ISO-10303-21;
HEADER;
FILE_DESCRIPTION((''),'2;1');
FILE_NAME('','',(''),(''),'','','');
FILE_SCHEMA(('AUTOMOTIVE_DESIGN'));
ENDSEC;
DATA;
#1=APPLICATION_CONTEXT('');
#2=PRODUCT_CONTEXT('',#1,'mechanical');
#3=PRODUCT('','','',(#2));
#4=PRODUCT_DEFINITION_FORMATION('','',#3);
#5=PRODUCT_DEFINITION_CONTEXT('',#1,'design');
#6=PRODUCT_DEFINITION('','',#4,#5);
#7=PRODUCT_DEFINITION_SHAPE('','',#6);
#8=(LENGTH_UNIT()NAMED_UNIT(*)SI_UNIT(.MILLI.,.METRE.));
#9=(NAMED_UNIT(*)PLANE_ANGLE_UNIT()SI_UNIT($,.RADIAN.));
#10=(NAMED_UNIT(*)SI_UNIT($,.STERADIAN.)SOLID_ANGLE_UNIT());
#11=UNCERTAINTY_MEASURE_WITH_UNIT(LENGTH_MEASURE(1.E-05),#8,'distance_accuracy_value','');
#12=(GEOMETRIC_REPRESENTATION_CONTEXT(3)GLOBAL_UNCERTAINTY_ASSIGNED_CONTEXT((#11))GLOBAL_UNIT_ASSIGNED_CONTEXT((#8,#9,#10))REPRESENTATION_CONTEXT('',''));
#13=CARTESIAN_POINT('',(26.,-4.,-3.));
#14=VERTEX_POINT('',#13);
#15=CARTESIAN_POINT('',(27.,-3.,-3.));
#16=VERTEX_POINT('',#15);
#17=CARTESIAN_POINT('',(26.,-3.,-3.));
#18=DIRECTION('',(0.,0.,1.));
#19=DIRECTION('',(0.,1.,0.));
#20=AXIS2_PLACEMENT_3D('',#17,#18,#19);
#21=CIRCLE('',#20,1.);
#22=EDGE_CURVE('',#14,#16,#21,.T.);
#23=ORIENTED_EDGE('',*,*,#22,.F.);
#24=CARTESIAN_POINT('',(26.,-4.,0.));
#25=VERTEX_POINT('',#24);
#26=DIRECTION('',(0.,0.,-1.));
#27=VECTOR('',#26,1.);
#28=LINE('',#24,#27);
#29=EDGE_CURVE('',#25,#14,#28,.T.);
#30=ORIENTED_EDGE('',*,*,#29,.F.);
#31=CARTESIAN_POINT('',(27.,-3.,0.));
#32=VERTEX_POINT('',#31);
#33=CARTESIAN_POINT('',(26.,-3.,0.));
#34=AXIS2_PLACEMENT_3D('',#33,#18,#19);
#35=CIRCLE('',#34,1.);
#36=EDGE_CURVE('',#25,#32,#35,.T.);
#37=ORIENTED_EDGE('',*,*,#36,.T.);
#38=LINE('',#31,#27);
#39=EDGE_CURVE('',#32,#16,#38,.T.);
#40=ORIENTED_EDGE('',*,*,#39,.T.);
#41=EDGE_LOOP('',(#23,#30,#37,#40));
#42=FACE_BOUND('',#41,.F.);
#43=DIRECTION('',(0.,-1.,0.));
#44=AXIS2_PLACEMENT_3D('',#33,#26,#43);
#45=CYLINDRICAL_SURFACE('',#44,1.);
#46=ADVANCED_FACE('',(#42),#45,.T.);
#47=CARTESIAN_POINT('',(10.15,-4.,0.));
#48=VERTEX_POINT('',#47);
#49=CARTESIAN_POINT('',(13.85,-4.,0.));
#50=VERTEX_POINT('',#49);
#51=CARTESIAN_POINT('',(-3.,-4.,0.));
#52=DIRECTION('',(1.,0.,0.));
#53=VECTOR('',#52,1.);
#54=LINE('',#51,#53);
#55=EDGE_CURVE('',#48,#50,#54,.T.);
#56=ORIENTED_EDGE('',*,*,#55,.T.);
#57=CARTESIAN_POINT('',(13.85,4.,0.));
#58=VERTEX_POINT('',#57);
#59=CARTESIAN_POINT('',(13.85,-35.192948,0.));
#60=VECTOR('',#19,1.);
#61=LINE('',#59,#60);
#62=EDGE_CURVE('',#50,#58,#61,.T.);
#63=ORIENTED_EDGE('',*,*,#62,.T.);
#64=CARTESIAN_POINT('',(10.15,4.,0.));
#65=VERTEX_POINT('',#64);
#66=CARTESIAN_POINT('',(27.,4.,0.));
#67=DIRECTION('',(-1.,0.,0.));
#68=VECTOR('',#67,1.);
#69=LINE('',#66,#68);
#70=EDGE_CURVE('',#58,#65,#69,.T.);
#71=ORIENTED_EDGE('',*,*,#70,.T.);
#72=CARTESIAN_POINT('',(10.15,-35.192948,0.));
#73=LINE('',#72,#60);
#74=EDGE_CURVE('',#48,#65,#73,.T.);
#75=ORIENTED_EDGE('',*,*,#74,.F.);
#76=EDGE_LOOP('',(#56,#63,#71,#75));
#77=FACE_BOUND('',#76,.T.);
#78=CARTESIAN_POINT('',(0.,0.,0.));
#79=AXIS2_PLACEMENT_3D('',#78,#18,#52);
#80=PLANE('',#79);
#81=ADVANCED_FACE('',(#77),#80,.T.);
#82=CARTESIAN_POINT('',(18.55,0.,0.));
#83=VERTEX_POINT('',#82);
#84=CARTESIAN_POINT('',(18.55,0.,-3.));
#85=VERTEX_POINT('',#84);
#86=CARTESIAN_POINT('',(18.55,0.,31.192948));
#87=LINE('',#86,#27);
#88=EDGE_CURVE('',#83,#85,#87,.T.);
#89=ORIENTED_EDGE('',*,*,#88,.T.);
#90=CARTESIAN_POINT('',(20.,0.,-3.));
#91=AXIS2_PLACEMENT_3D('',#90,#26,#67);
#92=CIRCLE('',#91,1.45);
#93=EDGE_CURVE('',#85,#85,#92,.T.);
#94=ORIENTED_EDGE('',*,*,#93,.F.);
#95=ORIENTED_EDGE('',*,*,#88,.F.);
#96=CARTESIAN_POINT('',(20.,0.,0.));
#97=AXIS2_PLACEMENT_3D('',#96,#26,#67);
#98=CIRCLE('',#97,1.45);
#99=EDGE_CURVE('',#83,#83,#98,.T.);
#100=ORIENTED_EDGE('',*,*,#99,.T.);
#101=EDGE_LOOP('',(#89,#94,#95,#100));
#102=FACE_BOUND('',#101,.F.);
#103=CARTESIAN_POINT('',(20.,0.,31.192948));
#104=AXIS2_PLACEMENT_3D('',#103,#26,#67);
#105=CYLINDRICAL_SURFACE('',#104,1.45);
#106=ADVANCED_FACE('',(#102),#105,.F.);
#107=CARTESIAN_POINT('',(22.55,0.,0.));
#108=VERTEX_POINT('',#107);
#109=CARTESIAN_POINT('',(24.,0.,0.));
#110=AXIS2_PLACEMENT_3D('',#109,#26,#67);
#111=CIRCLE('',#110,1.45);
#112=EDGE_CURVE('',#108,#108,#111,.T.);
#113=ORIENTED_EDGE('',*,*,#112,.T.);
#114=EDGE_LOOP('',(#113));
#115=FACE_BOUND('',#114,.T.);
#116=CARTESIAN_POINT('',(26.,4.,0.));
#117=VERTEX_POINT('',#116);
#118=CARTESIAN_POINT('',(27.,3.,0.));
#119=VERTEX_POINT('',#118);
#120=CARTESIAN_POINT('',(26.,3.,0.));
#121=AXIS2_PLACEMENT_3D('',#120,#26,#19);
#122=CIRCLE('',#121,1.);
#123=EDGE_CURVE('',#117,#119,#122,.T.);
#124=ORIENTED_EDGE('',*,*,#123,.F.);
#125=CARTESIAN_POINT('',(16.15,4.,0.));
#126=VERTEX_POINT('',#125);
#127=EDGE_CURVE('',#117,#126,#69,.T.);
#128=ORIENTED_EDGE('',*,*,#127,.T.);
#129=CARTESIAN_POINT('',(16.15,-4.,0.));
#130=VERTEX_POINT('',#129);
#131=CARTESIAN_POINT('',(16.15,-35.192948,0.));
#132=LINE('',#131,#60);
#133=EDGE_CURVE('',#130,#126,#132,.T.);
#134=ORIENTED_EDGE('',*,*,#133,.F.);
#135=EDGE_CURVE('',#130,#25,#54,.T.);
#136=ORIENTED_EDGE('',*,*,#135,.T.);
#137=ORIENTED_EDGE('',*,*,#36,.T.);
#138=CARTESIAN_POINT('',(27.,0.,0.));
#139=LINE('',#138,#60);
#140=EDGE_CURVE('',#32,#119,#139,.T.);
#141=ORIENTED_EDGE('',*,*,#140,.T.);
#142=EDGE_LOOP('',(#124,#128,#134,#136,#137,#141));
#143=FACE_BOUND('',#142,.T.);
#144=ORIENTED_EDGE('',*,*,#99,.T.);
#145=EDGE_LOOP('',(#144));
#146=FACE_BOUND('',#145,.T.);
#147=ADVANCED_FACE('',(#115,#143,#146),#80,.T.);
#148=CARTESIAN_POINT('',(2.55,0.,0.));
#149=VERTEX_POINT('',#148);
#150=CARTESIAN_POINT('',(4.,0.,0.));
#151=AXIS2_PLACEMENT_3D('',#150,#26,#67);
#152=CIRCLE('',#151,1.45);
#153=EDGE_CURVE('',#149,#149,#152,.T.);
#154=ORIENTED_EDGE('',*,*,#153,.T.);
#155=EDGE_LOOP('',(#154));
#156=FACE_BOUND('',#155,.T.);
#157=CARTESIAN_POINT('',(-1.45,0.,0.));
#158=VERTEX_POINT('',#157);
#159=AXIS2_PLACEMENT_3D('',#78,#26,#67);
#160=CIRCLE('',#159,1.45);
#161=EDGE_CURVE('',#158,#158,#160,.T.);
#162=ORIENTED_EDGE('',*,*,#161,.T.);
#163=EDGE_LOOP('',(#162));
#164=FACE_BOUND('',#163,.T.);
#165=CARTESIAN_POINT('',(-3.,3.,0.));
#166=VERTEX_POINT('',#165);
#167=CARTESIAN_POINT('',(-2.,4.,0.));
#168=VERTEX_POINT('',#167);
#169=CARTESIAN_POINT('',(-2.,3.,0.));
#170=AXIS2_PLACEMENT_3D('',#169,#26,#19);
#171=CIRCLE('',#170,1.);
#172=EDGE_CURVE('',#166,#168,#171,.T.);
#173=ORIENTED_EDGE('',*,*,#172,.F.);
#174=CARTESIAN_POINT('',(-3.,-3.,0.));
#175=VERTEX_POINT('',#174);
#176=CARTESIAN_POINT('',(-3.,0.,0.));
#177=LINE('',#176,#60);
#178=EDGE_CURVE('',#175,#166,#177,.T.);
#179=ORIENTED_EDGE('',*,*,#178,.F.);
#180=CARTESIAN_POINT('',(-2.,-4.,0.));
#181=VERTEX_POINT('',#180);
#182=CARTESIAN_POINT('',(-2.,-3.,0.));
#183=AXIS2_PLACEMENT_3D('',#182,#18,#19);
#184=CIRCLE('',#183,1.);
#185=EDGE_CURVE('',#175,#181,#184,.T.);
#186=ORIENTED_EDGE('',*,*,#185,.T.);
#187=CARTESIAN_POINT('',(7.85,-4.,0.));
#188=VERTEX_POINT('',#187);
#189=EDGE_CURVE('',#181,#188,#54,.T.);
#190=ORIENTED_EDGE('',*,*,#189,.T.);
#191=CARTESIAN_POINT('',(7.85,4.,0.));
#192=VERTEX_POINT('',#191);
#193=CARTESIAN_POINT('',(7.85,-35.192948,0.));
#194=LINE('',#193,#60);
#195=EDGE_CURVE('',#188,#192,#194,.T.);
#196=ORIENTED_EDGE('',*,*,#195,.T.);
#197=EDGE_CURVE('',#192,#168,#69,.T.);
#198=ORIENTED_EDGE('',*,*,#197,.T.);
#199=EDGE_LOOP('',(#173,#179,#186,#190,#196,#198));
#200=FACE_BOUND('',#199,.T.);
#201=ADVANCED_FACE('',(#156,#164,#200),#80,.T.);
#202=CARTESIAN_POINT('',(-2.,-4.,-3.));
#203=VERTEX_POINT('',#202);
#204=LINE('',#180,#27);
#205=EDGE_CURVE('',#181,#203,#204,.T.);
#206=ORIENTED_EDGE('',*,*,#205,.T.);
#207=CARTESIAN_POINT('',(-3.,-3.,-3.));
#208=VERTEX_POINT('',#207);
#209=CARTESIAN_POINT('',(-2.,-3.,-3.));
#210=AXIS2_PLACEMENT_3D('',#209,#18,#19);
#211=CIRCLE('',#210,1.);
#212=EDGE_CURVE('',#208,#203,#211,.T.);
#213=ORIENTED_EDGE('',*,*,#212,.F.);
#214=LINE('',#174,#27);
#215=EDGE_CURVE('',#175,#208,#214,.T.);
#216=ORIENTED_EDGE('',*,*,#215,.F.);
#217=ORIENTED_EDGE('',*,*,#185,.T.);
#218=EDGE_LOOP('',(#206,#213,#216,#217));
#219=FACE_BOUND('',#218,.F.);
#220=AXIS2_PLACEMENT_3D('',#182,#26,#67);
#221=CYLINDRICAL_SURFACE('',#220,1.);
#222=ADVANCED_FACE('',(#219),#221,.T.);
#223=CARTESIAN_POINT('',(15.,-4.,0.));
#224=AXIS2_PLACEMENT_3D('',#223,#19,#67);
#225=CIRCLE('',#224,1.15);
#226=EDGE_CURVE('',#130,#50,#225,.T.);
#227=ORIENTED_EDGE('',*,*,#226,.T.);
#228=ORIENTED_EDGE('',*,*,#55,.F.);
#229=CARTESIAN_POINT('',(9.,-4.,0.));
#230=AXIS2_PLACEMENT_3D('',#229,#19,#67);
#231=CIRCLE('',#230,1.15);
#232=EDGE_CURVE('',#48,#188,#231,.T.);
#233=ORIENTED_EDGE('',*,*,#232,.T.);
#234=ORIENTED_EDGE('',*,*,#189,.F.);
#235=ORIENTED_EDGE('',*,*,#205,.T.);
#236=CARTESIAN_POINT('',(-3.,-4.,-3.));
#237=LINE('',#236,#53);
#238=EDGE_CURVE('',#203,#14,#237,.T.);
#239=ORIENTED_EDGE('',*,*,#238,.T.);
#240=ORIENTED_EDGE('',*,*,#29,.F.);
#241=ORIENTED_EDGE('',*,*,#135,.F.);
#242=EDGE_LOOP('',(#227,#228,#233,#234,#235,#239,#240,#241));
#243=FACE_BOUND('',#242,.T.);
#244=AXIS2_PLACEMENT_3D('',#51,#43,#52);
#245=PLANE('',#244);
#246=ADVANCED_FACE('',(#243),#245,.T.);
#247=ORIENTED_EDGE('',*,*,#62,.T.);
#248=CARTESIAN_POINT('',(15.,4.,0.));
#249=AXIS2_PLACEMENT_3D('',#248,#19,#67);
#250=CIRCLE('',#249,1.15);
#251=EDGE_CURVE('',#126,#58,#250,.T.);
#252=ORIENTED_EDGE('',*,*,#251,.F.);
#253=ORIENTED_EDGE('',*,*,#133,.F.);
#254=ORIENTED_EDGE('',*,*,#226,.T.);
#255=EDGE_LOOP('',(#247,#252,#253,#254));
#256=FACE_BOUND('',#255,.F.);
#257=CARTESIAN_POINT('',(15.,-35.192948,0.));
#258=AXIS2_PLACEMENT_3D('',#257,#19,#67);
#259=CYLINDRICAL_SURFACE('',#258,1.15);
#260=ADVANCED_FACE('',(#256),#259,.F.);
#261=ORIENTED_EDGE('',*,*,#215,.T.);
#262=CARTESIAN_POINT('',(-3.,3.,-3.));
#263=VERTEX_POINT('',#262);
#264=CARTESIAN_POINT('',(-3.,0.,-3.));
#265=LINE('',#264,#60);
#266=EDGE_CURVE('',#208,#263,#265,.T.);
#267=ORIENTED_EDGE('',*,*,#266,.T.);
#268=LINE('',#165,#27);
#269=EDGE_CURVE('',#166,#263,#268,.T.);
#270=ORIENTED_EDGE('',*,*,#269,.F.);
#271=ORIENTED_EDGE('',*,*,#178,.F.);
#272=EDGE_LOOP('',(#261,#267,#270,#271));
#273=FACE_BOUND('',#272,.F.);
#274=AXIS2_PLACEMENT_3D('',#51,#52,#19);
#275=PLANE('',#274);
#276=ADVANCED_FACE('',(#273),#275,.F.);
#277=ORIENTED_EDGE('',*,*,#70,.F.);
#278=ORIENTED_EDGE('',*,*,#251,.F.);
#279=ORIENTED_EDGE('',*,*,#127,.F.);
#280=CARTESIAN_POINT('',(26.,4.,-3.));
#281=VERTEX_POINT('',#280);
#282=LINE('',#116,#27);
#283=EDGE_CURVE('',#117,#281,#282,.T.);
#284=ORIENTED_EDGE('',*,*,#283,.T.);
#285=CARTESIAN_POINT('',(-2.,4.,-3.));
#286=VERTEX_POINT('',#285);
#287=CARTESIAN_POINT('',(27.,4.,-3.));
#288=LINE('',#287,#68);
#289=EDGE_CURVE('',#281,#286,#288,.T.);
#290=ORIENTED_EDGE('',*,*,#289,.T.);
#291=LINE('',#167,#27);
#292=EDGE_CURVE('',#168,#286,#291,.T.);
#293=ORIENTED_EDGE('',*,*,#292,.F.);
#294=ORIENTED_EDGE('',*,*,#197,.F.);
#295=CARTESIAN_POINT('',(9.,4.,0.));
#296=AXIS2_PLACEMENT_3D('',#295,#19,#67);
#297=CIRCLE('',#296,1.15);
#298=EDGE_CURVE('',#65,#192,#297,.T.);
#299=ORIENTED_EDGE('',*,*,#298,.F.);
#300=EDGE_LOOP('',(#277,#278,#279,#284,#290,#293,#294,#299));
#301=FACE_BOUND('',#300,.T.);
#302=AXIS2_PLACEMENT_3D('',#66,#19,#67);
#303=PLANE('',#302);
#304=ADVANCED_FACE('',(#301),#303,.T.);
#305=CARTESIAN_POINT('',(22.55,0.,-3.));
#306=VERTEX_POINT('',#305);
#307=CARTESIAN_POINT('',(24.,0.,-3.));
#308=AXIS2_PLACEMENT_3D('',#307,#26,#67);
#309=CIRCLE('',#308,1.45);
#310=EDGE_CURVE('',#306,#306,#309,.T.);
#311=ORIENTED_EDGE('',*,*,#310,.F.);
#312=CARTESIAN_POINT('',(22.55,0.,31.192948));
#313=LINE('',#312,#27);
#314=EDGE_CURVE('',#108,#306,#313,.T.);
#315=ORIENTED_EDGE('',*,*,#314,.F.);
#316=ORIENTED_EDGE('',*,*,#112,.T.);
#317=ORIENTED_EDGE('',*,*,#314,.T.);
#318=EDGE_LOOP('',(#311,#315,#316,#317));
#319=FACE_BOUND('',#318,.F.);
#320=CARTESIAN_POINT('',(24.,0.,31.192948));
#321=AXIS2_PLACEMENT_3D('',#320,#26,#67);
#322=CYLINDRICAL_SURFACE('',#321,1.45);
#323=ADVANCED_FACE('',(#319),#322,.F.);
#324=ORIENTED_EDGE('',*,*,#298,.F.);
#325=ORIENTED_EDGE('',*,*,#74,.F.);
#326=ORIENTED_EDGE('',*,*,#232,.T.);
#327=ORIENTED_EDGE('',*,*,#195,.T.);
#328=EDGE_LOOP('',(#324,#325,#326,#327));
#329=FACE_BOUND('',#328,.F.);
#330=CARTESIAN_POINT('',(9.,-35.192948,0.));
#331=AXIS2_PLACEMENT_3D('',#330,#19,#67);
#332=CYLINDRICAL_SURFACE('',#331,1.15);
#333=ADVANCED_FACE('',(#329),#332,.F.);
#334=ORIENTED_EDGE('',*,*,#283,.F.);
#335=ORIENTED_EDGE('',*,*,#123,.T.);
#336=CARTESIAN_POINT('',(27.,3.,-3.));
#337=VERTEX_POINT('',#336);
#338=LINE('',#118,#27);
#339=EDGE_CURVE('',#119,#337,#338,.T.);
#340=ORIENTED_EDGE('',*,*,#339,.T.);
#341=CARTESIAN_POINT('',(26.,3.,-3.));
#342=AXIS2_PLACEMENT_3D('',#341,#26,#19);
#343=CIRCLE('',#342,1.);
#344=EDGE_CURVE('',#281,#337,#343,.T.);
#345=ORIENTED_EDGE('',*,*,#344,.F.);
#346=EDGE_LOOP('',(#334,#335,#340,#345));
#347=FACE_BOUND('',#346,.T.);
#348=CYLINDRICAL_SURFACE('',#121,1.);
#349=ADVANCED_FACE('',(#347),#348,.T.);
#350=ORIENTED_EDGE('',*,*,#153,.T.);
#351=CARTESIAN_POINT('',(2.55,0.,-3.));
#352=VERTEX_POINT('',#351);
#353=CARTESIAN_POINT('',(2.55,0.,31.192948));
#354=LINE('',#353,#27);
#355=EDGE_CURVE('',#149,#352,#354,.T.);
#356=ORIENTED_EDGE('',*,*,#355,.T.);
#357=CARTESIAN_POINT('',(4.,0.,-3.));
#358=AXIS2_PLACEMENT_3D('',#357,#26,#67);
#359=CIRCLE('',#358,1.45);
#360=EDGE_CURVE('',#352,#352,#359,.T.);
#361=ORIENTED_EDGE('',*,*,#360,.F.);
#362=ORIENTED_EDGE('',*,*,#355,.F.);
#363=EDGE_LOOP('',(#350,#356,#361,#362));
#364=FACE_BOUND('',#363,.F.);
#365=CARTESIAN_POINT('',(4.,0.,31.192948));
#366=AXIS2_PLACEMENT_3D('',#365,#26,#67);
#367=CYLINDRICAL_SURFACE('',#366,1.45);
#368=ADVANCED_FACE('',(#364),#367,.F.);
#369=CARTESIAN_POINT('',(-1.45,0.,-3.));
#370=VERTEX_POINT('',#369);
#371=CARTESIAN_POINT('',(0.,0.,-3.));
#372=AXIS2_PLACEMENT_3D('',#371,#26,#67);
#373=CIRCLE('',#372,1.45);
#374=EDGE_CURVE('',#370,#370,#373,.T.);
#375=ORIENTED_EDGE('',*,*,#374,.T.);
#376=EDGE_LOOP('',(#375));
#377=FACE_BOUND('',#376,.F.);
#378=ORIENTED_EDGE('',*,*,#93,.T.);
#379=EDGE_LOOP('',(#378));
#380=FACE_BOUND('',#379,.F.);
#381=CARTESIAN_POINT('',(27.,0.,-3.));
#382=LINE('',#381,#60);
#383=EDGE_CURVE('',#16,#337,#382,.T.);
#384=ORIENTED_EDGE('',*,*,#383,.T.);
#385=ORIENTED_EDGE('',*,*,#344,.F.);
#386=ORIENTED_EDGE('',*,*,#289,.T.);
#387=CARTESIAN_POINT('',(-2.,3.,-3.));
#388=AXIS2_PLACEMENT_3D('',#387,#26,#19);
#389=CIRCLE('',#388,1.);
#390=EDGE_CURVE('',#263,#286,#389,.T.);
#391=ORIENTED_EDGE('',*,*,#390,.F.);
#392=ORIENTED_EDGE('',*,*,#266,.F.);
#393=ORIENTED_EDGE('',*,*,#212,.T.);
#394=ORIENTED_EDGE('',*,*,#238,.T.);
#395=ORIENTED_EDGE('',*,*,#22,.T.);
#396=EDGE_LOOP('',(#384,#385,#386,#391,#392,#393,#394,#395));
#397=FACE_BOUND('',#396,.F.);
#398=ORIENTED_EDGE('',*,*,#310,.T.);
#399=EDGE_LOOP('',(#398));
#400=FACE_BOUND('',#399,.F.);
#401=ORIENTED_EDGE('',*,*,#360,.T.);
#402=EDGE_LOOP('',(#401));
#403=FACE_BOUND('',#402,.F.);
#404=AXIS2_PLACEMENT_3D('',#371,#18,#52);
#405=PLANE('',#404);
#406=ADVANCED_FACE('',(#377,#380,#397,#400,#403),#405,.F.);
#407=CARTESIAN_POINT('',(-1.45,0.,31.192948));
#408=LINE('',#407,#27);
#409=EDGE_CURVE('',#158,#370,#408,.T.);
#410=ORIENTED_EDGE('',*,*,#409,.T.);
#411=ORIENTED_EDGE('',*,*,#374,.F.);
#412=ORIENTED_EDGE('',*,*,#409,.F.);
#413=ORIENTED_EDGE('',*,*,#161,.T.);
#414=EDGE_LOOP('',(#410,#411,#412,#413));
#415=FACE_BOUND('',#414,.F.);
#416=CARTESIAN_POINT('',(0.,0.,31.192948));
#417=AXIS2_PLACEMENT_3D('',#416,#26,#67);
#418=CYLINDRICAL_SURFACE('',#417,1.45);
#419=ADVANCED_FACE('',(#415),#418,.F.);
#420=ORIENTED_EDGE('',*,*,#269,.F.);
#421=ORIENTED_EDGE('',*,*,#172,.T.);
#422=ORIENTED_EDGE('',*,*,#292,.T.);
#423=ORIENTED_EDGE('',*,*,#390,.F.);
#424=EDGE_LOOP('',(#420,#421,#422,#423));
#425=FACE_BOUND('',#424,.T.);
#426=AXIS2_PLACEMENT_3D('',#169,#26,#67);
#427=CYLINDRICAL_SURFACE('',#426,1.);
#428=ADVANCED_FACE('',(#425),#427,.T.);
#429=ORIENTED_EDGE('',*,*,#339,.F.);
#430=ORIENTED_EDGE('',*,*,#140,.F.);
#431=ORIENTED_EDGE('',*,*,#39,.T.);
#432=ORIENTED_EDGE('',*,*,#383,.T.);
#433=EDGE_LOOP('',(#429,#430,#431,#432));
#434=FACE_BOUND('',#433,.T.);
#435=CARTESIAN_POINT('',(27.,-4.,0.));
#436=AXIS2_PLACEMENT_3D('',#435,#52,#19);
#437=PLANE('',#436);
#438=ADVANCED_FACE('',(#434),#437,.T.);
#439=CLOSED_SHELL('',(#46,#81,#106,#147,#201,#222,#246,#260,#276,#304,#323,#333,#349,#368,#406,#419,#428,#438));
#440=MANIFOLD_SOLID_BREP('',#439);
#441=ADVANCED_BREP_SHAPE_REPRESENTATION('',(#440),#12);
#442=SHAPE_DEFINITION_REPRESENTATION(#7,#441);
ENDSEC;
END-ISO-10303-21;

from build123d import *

# Parameters (mm, degrees)
F0_W     = 6
F0_H     = 8
F0_W_2   = 18
F1_DEPTH = 3
F2_D     = 2.9
F4_D     = 2.3
F5_R     = 1


with BuildPart() as f1:
    # F0 (on Top) → F1 (new body)
    with BuildSketch(Plane.XY):
        Rectangle(F0_W, F0_H)
        with Locations((12, 0)):
            Rectangle(F0_W_2, F0_H)
        with Locations((24, 0)):
            Rectangle(F0_W, F0_H)
    extrude(amount=-F1_DEPTH)

    # F2 (through all)
    with Locations(Plane.XY):
        with Locations((0, 0), (4, 0), (20, 0), (24, 0)):
            Hole(F2_D / 2)

    # F4 (through all)
    with Locations(Plane.XZ.offset(4)):
        with Locations((9, 0), (15, 0)):
            Hole(F4_D / 2)

    # F5
    f5_edges = [f1.edges().sort_by_distance(p)[0] for p in [
        (-3, -4, -1.5),
        (27, -4, -1.5),
        (27, 4, -1.5),
        (-3, 4, -1.5),
    ]]
    fillet(f5_edges, radius=F5_R)


solid = f1.part
